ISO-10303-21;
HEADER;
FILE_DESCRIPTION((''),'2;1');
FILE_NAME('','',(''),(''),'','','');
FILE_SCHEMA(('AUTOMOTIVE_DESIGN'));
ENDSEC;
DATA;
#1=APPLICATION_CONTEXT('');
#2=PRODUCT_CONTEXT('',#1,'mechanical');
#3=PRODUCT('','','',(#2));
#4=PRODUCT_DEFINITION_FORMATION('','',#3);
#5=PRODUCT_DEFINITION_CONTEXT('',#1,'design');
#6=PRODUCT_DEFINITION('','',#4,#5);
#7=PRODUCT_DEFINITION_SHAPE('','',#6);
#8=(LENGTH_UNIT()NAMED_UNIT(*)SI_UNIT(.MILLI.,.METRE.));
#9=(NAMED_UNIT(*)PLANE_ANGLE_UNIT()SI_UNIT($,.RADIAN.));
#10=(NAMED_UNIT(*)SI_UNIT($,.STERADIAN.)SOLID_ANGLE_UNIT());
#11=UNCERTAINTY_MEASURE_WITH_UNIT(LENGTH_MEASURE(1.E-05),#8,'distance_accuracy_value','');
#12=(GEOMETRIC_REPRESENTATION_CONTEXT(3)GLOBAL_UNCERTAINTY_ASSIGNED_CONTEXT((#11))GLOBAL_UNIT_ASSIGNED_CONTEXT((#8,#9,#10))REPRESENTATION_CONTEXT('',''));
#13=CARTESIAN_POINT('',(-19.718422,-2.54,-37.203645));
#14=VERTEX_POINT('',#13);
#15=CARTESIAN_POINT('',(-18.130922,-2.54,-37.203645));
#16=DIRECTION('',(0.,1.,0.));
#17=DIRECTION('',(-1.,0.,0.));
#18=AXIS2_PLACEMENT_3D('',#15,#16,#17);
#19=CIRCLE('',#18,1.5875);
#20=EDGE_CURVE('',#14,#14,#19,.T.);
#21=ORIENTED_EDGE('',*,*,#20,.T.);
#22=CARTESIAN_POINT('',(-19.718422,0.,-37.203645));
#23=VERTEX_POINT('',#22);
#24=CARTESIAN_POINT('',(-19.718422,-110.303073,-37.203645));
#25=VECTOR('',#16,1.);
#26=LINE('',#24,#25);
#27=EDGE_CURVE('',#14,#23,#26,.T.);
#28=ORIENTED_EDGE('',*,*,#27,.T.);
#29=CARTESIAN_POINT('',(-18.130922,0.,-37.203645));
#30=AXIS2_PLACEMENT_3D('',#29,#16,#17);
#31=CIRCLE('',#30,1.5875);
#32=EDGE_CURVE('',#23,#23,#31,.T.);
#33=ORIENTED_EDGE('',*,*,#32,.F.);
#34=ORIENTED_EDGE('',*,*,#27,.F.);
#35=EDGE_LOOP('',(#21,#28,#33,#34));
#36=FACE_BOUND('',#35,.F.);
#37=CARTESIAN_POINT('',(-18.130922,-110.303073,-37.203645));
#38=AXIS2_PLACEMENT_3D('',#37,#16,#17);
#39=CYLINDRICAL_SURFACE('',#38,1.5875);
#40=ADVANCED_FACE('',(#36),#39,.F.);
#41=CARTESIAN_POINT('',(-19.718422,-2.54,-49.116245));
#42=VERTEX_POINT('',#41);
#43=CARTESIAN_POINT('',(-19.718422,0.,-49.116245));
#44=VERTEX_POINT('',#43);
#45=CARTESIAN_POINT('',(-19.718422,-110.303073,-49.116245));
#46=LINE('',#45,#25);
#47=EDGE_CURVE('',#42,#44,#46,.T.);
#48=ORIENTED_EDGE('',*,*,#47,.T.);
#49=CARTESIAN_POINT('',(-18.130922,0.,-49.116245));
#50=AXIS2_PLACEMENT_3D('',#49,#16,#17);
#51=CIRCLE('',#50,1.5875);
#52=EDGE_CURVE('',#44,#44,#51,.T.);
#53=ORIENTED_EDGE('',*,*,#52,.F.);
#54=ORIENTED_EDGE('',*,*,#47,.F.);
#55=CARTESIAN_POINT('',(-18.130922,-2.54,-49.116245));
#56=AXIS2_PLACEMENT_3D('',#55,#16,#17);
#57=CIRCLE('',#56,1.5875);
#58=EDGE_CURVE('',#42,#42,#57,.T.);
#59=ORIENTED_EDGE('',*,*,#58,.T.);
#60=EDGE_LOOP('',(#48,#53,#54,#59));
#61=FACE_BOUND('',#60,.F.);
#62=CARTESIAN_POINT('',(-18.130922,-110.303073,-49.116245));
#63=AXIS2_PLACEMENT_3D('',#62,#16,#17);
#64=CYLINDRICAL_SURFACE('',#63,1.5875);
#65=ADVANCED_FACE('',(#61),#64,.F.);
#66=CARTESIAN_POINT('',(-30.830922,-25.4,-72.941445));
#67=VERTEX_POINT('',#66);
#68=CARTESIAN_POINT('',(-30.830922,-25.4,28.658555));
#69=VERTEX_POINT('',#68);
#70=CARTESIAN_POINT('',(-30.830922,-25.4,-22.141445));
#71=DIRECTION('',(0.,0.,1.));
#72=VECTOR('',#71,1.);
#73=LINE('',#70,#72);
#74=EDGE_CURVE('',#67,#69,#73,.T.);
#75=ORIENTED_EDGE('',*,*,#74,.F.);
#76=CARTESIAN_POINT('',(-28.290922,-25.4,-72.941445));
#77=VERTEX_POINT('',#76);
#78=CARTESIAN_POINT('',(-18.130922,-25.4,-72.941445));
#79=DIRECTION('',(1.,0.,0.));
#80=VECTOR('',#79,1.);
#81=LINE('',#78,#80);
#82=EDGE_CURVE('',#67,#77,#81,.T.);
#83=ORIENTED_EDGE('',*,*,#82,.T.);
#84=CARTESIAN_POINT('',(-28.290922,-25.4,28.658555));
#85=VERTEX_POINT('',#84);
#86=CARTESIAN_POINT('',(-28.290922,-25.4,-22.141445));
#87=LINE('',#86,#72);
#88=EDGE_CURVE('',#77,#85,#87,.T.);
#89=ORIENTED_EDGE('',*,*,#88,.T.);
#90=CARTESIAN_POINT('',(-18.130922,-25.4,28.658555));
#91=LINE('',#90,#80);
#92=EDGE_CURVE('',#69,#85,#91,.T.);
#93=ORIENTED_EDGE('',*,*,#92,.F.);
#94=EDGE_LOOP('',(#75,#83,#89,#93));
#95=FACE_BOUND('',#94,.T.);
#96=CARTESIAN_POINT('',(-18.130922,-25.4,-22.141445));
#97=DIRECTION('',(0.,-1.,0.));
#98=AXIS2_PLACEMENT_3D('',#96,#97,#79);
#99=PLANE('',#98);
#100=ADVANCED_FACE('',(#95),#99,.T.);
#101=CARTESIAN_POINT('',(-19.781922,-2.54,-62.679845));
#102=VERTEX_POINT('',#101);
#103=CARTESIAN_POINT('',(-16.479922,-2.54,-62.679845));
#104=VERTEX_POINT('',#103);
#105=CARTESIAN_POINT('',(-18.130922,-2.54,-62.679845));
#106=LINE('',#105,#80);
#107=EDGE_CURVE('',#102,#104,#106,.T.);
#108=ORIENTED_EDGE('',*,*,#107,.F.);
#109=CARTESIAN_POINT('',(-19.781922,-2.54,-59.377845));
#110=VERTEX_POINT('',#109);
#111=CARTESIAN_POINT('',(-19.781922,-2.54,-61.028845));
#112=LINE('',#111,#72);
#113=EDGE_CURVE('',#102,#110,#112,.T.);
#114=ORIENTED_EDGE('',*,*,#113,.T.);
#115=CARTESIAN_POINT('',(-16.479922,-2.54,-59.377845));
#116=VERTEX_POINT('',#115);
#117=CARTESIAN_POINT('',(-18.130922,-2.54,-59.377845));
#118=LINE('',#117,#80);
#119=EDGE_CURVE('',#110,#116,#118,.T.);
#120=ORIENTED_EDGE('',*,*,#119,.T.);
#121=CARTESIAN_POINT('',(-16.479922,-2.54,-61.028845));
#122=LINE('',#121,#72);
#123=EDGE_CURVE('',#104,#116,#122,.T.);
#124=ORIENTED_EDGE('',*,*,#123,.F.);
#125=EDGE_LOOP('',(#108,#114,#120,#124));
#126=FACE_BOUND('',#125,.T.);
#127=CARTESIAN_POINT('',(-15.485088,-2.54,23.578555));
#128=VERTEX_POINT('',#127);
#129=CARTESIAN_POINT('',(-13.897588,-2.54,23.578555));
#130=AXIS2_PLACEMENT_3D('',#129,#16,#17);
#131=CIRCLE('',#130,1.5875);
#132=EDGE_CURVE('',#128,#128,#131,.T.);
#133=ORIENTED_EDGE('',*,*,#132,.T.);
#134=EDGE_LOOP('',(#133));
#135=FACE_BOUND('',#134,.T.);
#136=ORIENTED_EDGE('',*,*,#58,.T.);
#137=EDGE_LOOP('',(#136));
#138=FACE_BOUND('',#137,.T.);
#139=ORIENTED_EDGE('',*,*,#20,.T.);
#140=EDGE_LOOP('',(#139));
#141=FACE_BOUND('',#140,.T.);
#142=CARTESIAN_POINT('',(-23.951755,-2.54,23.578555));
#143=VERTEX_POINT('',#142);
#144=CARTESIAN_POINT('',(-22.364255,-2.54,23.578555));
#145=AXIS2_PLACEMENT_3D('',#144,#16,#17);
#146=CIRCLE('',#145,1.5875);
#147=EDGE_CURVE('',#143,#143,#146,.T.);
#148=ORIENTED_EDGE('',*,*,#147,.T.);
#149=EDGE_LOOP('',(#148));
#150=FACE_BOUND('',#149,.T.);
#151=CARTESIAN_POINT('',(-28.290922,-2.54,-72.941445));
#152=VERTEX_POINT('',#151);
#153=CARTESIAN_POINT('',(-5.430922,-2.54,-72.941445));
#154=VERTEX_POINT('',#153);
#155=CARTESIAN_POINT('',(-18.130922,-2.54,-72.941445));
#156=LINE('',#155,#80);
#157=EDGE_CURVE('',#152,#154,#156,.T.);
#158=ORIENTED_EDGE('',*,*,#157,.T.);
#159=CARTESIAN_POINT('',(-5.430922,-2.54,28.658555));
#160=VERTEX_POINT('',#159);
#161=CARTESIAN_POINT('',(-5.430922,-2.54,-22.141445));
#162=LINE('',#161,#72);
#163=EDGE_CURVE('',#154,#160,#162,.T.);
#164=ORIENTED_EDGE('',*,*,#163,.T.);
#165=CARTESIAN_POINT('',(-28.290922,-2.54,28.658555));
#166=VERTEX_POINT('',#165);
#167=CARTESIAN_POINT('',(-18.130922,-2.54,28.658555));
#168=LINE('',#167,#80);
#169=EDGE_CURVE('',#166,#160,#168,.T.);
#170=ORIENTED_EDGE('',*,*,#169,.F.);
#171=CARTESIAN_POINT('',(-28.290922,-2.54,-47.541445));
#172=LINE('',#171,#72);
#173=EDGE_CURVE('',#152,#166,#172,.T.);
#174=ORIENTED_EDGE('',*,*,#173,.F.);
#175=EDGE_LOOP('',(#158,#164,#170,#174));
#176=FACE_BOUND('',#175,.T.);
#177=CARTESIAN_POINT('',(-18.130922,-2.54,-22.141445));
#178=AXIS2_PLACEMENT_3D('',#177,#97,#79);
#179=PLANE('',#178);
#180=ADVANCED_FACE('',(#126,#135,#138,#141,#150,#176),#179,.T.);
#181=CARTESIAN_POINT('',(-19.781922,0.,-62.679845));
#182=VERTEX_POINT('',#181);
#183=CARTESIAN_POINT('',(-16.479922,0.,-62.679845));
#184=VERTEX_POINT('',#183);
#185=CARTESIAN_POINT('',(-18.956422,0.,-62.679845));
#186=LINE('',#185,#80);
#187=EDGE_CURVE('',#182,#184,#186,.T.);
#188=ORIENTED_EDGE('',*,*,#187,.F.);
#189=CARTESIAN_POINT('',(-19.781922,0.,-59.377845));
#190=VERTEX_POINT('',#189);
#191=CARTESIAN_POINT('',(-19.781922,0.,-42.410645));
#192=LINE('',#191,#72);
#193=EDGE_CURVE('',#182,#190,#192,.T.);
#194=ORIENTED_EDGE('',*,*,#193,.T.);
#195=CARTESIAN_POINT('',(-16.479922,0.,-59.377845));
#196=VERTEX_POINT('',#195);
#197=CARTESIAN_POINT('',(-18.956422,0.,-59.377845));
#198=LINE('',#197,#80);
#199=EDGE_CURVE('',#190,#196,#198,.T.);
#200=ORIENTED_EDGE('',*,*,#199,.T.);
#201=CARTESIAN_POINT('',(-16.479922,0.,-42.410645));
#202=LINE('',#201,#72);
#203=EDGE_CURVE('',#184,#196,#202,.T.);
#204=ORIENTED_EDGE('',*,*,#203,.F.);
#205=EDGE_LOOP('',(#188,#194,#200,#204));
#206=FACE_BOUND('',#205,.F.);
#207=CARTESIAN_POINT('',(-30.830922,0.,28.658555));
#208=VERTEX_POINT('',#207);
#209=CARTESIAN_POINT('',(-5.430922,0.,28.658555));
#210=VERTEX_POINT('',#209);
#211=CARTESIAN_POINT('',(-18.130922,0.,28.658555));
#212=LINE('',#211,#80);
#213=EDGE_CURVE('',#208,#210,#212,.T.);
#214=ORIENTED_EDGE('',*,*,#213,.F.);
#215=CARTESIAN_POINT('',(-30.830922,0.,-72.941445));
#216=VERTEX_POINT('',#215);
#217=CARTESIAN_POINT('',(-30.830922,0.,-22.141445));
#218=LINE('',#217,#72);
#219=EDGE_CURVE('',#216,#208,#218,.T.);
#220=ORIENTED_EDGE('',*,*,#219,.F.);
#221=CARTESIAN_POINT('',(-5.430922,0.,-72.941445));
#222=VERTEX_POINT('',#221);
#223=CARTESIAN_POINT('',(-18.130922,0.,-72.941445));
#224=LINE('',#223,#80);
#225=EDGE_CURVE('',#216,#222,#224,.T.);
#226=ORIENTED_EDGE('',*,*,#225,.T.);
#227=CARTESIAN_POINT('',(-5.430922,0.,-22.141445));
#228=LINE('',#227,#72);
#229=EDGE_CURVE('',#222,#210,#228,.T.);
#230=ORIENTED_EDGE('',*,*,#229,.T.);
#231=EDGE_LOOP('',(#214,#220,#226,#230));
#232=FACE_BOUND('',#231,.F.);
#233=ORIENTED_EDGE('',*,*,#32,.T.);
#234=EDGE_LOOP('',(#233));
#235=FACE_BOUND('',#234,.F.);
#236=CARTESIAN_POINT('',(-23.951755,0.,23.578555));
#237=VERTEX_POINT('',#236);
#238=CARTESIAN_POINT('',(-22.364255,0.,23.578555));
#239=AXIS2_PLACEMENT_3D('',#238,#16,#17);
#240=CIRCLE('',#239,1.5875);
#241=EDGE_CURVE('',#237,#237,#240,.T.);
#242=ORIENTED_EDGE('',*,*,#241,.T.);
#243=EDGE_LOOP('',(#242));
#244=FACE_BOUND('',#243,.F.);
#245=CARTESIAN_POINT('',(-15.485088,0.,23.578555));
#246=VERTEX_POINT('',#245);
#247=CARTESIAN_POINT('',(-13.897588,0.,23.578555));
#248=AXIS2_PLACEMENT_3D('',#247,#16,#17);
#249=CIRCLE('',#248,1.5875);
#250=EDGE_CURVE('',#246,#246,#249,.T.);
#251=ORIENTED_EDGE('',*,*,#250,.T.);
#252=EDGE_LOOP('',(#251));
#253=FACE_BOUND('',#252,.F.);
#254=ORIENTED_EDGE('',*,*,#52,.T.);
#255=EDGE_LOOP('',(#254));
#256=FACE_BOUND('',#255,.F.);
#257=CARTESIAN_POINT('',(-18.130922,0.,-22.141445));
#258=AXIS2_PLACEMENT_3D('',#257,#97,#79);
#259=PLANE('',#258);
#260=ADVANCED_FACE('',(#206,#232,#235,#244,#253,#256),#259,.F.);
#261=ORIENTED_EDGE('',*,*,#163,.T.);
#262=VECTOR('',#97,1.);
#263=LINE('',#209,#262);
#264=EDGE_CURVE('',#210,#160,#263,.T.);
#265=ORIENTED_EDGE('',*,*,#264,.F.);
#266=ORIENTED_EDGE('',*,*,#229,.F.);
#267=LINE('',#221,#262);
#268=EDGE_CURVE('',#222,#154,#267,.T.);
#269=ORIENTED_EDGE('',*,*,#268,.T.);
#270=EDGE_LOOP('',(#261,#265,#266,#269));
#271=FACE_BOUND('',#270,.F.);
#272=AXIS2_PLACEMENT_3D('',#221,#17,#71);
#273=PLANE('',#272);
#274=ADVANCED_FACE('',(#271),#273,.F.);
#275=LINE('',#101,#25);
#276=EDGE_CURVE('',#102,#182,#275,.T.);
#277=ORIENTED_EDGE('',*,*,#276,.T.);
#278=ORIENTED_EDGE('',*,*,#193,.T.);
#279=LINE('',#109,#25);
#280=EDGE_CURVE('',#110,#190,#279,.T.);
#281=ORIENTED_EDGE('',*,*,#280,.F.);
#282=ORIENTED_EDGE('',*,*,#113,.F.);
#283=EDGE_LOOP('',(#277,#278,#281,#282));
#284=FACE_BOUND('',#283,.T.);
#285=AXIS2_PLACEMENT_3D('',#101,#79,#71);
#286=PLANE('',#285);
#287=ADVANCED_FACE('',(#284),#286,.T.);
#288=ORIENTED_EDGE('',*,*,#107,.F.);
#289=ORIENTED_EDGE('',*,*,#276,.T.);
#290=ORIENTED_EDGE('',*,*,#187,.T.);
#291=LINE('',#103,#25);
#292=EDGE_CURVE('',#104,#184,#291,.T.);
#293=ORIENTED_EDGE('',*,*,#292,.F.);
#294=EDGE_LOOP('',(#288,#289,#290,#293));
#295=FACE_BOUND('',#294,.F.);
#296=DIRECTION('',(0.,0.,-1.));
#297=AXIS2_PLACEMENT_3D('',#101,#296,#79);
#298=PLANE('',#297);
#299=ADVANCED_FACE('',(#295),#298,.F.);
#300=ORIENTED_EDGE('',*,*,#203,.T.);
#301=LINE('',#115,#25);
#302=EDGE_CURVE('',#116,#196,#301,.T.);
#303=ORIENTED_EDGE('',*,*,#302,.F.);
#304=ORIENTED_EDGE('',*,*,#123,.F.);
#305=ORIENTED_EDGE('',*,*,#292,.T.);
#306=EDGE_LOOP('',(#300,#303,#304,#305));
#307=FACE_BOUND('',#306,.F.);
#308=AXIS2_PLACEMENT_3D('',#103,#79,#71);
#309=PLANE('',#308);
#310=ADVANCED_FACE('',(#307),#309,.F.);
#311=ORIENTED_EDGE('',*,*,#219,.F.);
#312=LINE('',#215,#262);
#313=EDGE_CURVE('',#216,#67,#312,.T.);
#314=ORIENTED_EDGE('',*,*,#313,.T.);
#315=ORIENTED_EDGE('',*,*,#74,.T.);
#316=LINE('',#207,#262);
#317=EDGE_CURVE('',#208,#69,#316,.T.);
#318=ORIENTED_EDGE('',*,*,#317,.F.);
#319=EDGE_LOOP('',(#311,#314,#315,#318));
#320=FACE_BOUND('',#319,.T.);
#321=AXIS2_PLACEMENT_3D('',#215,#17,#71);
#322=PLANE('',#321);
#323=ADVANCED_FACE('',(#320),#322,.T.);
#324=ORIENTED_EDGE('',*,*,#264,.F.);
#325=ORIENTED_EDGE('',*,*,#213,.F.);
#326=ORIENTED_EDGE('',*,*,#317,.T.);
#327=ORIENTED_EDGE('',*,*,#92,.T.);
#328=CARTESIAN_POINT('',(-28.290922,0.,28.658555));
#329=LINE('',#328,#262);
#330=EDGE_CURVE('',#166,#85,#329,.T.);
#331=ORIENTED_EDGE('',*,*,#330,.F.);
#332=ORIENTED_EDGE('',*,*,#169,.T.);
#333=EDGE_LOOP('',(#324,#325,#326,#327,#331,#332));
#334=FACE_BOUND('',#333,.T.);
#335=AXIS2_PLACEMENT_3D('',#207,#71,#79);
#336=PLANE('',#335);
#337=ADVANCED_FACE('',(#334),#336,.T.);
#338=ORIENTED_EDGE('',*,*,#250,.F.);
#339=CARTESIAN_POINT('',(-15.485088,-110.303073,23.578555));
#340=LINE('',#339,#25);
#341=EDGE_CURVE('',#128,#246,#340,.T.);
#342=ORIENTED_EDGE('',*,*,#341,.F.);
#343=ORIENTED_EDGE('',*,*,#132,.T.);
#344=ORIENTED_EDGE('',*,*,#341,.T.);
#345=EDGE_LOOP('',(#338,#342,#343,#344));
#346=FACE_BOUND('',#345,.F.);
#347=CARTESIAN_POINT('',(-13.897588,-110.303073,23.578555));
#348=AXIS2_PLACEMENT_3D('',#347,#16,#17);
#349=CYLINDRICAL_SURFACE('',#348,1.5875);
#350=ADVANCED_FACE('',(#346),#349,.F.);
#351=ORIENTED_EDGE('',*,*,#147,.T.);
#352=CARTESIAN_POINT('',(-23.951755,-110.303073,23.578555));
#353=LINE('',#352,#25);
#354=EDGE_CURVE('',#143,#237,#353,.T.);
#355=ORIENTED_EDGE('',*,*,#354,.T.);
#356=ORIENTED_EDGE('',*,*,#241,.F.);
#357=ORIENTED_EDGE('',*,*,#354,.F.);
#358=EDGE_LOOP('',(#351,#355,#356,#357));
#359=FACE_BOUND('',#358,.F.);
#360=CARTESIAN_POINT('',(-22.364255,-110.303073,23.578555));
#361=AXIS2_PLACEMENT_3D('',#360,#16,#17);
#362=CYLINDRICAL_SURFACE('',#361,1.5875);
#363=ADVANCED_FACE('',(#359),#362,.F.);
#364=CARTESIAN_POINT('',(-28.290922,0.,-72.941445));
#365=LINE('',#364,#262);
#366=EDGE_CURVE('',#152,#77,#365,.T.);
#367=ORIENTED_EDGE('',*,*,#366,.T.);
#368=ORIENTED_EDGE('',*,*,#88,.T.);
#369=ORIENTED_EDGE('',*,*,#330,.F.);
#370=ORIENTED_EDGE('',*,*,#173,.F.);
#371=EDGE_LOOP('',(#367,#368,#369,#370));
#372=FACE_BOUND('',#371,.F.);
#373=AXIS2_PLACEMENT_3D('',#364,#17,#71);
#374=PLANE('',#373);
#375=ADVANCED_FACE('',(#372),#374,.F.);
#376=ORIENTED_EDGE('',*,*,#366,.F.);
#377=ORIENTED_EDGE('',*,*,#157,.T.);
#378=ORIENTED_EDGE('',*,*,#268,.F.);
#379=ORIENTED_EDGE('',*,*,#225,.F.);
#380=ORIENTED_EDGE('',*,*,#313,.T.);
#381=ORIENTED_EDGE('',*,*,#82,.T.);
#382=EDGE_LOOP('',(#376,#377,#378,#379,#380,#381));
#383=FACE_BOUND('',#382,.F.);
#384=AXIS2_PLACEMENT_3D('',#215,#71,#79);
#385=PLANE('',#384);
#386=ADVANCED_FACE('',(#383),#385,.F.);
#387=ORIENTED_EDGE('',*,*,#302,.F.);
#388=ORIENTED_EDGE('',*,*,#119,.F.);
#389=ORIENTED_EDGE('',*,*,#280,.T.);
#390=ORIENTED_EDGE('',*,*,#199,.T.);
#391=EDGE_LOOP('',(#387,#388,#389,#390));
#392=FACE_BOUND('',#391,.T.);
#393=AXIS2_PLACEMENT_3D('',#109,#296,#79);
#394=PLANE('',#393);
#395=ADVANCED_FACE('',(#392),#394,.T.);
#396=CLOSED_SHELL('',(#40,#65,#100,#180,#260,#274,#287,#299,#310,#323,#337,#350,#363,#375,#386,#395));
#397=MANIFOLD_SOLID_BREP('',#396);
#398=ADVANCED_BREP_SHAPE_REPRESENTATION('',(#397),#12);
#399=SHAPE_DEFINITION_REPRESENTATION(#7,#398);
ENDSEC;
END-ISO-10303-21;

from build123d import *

# Parameters (mm, degrees)
F0_W     = 25.4
F0_H     = 101.6
F1_DEPTH = 25.4
F2_T     = -2.54
F4_D     = 3.175
F3_W     = 3.302
F3_H     = 3.302
F5_DEPTH = 5.842


with BuildPart() as f1:
    # F0 (on Front) → F1 (new body)
    with BuildSketch(Plane.XZ):
        with Locations((-18.130922, -22.141445)):
            Rectangle(F0_W, F0_H)
    extrude(amount=F1_DEPTH)

    # F2
    f2_openings = [f1.faces().sort_by_distance(p)[0] for p in [
        (-5.430922, -12.7, -22.141445),
        (-18.130922, -25.4, -22.141445),
        (-18.130922, -12.7, 28.658555),
        (-18.130922, -12.7, -72.941445),
    ]]
    offset(amount=F2_T, openings=f2_openings)

    # F4 (through all)
    with Locations(Plane.XZ.offset(2.54)):
        with Locations((-13.897588, 23.578555), (-22.364255, 23.578555), (-18.130922, -37.203645), (-18.130922, -49.116245)):
            Hole(F4_D / 2)

    # F3 (on face) → F5 (cut)
    with BuildSketch(Plane.XZ.offset(2.54)):
        with Locations((-18.130922, -61.028845)):
            Rectangle(F3_W, F3_H)
    extrude(amount=-F5_DEPTH, mode=Mode.SUBTRACT)


solid = f1.part
